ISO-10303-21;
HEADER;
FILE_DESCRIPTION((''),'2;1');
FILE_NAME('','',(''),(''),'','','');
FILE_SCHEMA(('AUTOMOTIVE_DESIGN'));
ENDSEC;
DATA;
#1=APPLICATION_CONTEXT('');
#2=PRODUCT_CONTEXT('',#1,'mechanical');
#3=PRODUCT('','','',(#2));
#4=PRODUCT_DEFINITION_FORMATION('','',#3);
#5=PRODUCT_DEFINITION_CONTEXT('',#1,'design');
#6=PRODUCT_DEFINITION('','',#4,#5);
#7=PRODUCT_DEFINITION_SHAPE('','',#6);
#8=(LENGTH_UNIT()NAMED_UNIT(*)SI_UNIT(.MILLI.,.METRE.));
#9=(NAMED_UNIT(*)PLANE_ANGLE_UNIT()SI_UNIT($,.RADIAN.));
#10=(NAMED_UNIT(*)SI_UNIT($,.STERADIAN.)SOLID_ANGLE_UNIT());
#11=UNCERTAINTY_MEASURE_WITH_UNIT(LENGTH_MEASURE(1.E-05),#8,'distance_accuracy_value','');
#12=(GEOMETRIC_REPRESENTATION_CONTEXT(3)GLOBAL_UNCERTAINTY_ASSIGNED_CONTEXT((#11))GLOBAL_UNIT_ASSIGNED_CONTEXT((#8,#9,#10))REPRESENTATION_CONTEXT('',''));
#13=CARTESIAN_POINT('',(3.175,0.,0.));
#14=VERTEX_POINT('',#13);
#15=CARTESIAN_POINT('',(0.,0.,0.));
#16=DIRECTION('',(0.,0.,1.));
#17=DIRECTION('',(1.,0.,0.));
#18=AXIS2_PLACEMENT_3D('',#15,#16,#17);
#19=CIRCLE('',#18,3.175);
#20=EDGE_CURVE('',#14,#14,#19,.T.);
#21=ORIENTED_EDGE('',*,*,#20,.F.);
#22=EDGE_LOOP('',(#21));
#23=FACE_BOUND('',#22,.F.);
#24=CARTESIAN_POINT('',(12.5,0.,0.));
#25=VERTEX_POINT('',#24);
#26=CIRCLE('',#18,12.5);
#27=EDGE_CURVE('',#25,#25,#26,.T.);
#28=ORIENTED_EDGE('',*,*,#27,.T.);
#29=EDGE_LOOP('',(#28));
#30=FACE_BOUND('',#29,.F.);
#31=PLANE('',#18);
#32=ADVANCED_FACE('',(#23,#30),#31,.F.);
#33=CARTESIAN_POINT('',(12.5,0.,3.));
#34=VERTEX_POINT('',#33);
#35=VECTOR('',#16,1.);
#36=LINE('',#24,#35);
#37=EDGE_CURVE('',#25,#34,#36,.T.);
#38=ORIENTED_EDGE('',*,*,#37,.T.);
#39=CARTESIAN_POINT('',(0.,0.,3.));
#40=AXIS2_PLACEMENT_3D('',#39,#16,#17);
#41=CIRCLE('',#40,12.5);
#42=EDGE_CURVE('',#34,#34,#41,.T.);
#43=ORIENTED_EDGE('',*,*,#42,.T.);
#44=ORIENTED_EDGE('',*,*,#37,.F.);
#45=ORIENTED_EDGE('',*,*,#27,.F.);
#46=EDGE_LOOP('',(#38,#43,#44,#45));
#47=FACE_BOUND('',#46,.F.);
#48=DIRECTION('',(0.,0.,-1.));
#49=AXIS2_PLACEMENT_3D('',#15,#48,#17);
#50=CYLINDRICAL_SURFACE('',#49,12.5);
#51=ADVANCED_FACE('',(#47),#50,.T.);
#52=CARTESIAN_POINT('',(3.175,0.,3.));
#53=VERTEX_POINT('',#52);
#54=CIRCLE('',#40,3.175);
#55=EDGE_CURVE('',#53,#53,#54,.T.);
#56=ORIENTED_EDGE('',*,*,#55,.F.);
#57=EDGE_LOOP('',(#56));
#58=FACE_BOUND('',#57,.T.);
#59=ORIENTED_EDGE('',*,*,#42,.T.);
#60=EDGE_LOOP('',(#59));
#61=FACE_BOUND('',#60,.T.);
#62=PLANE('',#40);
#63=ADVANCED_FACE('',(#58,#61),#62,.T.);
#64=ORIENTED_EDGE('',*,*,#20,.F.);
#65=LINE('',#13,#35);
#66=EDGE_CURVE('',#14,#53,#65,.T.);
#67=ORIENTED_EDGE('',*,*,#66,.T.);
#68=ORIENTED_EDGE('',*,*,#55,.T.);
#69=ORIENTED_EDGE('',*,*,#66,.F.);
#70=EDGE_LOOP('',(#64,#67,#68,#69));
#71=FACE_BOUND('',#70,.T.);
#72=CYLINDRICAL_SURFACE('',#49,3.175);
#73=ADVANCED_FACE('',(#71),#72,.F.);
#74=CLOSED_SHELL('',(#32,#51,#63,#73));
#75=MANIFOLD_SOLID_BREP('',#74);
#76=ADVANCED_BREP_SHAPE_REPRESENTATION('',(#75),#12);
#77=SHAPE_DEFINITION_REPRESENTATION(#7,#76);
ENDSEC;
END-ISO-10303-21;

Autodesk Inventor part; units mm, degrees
ref_plane "YZ Plane" through (0, 0, 0) normal (1, 0, 0) x (0, 1, 0)
ref_plane "XZ Plane" through (0, 0, 0) normal (0, 1, 0) x (-1, 0, 0)
ref_plane "XY Plane" through (0, 0, 0) normal (0, 0, 1) x (1, 0, 0)
sketch "Sketch1" plane through (0, 0, 0) normal (0, 0, 1) x (1, 0, 0)
  circle A0 centre (0, 0) radius 12.5
  circle A1 centre (0, 0) radius 3.175
  dimension "d0" = 25
  dimension "d1" = 6.35
extrude "Extrusion1" add sketch "Sketch1" along normal blind 3
properties part number "washeript"
